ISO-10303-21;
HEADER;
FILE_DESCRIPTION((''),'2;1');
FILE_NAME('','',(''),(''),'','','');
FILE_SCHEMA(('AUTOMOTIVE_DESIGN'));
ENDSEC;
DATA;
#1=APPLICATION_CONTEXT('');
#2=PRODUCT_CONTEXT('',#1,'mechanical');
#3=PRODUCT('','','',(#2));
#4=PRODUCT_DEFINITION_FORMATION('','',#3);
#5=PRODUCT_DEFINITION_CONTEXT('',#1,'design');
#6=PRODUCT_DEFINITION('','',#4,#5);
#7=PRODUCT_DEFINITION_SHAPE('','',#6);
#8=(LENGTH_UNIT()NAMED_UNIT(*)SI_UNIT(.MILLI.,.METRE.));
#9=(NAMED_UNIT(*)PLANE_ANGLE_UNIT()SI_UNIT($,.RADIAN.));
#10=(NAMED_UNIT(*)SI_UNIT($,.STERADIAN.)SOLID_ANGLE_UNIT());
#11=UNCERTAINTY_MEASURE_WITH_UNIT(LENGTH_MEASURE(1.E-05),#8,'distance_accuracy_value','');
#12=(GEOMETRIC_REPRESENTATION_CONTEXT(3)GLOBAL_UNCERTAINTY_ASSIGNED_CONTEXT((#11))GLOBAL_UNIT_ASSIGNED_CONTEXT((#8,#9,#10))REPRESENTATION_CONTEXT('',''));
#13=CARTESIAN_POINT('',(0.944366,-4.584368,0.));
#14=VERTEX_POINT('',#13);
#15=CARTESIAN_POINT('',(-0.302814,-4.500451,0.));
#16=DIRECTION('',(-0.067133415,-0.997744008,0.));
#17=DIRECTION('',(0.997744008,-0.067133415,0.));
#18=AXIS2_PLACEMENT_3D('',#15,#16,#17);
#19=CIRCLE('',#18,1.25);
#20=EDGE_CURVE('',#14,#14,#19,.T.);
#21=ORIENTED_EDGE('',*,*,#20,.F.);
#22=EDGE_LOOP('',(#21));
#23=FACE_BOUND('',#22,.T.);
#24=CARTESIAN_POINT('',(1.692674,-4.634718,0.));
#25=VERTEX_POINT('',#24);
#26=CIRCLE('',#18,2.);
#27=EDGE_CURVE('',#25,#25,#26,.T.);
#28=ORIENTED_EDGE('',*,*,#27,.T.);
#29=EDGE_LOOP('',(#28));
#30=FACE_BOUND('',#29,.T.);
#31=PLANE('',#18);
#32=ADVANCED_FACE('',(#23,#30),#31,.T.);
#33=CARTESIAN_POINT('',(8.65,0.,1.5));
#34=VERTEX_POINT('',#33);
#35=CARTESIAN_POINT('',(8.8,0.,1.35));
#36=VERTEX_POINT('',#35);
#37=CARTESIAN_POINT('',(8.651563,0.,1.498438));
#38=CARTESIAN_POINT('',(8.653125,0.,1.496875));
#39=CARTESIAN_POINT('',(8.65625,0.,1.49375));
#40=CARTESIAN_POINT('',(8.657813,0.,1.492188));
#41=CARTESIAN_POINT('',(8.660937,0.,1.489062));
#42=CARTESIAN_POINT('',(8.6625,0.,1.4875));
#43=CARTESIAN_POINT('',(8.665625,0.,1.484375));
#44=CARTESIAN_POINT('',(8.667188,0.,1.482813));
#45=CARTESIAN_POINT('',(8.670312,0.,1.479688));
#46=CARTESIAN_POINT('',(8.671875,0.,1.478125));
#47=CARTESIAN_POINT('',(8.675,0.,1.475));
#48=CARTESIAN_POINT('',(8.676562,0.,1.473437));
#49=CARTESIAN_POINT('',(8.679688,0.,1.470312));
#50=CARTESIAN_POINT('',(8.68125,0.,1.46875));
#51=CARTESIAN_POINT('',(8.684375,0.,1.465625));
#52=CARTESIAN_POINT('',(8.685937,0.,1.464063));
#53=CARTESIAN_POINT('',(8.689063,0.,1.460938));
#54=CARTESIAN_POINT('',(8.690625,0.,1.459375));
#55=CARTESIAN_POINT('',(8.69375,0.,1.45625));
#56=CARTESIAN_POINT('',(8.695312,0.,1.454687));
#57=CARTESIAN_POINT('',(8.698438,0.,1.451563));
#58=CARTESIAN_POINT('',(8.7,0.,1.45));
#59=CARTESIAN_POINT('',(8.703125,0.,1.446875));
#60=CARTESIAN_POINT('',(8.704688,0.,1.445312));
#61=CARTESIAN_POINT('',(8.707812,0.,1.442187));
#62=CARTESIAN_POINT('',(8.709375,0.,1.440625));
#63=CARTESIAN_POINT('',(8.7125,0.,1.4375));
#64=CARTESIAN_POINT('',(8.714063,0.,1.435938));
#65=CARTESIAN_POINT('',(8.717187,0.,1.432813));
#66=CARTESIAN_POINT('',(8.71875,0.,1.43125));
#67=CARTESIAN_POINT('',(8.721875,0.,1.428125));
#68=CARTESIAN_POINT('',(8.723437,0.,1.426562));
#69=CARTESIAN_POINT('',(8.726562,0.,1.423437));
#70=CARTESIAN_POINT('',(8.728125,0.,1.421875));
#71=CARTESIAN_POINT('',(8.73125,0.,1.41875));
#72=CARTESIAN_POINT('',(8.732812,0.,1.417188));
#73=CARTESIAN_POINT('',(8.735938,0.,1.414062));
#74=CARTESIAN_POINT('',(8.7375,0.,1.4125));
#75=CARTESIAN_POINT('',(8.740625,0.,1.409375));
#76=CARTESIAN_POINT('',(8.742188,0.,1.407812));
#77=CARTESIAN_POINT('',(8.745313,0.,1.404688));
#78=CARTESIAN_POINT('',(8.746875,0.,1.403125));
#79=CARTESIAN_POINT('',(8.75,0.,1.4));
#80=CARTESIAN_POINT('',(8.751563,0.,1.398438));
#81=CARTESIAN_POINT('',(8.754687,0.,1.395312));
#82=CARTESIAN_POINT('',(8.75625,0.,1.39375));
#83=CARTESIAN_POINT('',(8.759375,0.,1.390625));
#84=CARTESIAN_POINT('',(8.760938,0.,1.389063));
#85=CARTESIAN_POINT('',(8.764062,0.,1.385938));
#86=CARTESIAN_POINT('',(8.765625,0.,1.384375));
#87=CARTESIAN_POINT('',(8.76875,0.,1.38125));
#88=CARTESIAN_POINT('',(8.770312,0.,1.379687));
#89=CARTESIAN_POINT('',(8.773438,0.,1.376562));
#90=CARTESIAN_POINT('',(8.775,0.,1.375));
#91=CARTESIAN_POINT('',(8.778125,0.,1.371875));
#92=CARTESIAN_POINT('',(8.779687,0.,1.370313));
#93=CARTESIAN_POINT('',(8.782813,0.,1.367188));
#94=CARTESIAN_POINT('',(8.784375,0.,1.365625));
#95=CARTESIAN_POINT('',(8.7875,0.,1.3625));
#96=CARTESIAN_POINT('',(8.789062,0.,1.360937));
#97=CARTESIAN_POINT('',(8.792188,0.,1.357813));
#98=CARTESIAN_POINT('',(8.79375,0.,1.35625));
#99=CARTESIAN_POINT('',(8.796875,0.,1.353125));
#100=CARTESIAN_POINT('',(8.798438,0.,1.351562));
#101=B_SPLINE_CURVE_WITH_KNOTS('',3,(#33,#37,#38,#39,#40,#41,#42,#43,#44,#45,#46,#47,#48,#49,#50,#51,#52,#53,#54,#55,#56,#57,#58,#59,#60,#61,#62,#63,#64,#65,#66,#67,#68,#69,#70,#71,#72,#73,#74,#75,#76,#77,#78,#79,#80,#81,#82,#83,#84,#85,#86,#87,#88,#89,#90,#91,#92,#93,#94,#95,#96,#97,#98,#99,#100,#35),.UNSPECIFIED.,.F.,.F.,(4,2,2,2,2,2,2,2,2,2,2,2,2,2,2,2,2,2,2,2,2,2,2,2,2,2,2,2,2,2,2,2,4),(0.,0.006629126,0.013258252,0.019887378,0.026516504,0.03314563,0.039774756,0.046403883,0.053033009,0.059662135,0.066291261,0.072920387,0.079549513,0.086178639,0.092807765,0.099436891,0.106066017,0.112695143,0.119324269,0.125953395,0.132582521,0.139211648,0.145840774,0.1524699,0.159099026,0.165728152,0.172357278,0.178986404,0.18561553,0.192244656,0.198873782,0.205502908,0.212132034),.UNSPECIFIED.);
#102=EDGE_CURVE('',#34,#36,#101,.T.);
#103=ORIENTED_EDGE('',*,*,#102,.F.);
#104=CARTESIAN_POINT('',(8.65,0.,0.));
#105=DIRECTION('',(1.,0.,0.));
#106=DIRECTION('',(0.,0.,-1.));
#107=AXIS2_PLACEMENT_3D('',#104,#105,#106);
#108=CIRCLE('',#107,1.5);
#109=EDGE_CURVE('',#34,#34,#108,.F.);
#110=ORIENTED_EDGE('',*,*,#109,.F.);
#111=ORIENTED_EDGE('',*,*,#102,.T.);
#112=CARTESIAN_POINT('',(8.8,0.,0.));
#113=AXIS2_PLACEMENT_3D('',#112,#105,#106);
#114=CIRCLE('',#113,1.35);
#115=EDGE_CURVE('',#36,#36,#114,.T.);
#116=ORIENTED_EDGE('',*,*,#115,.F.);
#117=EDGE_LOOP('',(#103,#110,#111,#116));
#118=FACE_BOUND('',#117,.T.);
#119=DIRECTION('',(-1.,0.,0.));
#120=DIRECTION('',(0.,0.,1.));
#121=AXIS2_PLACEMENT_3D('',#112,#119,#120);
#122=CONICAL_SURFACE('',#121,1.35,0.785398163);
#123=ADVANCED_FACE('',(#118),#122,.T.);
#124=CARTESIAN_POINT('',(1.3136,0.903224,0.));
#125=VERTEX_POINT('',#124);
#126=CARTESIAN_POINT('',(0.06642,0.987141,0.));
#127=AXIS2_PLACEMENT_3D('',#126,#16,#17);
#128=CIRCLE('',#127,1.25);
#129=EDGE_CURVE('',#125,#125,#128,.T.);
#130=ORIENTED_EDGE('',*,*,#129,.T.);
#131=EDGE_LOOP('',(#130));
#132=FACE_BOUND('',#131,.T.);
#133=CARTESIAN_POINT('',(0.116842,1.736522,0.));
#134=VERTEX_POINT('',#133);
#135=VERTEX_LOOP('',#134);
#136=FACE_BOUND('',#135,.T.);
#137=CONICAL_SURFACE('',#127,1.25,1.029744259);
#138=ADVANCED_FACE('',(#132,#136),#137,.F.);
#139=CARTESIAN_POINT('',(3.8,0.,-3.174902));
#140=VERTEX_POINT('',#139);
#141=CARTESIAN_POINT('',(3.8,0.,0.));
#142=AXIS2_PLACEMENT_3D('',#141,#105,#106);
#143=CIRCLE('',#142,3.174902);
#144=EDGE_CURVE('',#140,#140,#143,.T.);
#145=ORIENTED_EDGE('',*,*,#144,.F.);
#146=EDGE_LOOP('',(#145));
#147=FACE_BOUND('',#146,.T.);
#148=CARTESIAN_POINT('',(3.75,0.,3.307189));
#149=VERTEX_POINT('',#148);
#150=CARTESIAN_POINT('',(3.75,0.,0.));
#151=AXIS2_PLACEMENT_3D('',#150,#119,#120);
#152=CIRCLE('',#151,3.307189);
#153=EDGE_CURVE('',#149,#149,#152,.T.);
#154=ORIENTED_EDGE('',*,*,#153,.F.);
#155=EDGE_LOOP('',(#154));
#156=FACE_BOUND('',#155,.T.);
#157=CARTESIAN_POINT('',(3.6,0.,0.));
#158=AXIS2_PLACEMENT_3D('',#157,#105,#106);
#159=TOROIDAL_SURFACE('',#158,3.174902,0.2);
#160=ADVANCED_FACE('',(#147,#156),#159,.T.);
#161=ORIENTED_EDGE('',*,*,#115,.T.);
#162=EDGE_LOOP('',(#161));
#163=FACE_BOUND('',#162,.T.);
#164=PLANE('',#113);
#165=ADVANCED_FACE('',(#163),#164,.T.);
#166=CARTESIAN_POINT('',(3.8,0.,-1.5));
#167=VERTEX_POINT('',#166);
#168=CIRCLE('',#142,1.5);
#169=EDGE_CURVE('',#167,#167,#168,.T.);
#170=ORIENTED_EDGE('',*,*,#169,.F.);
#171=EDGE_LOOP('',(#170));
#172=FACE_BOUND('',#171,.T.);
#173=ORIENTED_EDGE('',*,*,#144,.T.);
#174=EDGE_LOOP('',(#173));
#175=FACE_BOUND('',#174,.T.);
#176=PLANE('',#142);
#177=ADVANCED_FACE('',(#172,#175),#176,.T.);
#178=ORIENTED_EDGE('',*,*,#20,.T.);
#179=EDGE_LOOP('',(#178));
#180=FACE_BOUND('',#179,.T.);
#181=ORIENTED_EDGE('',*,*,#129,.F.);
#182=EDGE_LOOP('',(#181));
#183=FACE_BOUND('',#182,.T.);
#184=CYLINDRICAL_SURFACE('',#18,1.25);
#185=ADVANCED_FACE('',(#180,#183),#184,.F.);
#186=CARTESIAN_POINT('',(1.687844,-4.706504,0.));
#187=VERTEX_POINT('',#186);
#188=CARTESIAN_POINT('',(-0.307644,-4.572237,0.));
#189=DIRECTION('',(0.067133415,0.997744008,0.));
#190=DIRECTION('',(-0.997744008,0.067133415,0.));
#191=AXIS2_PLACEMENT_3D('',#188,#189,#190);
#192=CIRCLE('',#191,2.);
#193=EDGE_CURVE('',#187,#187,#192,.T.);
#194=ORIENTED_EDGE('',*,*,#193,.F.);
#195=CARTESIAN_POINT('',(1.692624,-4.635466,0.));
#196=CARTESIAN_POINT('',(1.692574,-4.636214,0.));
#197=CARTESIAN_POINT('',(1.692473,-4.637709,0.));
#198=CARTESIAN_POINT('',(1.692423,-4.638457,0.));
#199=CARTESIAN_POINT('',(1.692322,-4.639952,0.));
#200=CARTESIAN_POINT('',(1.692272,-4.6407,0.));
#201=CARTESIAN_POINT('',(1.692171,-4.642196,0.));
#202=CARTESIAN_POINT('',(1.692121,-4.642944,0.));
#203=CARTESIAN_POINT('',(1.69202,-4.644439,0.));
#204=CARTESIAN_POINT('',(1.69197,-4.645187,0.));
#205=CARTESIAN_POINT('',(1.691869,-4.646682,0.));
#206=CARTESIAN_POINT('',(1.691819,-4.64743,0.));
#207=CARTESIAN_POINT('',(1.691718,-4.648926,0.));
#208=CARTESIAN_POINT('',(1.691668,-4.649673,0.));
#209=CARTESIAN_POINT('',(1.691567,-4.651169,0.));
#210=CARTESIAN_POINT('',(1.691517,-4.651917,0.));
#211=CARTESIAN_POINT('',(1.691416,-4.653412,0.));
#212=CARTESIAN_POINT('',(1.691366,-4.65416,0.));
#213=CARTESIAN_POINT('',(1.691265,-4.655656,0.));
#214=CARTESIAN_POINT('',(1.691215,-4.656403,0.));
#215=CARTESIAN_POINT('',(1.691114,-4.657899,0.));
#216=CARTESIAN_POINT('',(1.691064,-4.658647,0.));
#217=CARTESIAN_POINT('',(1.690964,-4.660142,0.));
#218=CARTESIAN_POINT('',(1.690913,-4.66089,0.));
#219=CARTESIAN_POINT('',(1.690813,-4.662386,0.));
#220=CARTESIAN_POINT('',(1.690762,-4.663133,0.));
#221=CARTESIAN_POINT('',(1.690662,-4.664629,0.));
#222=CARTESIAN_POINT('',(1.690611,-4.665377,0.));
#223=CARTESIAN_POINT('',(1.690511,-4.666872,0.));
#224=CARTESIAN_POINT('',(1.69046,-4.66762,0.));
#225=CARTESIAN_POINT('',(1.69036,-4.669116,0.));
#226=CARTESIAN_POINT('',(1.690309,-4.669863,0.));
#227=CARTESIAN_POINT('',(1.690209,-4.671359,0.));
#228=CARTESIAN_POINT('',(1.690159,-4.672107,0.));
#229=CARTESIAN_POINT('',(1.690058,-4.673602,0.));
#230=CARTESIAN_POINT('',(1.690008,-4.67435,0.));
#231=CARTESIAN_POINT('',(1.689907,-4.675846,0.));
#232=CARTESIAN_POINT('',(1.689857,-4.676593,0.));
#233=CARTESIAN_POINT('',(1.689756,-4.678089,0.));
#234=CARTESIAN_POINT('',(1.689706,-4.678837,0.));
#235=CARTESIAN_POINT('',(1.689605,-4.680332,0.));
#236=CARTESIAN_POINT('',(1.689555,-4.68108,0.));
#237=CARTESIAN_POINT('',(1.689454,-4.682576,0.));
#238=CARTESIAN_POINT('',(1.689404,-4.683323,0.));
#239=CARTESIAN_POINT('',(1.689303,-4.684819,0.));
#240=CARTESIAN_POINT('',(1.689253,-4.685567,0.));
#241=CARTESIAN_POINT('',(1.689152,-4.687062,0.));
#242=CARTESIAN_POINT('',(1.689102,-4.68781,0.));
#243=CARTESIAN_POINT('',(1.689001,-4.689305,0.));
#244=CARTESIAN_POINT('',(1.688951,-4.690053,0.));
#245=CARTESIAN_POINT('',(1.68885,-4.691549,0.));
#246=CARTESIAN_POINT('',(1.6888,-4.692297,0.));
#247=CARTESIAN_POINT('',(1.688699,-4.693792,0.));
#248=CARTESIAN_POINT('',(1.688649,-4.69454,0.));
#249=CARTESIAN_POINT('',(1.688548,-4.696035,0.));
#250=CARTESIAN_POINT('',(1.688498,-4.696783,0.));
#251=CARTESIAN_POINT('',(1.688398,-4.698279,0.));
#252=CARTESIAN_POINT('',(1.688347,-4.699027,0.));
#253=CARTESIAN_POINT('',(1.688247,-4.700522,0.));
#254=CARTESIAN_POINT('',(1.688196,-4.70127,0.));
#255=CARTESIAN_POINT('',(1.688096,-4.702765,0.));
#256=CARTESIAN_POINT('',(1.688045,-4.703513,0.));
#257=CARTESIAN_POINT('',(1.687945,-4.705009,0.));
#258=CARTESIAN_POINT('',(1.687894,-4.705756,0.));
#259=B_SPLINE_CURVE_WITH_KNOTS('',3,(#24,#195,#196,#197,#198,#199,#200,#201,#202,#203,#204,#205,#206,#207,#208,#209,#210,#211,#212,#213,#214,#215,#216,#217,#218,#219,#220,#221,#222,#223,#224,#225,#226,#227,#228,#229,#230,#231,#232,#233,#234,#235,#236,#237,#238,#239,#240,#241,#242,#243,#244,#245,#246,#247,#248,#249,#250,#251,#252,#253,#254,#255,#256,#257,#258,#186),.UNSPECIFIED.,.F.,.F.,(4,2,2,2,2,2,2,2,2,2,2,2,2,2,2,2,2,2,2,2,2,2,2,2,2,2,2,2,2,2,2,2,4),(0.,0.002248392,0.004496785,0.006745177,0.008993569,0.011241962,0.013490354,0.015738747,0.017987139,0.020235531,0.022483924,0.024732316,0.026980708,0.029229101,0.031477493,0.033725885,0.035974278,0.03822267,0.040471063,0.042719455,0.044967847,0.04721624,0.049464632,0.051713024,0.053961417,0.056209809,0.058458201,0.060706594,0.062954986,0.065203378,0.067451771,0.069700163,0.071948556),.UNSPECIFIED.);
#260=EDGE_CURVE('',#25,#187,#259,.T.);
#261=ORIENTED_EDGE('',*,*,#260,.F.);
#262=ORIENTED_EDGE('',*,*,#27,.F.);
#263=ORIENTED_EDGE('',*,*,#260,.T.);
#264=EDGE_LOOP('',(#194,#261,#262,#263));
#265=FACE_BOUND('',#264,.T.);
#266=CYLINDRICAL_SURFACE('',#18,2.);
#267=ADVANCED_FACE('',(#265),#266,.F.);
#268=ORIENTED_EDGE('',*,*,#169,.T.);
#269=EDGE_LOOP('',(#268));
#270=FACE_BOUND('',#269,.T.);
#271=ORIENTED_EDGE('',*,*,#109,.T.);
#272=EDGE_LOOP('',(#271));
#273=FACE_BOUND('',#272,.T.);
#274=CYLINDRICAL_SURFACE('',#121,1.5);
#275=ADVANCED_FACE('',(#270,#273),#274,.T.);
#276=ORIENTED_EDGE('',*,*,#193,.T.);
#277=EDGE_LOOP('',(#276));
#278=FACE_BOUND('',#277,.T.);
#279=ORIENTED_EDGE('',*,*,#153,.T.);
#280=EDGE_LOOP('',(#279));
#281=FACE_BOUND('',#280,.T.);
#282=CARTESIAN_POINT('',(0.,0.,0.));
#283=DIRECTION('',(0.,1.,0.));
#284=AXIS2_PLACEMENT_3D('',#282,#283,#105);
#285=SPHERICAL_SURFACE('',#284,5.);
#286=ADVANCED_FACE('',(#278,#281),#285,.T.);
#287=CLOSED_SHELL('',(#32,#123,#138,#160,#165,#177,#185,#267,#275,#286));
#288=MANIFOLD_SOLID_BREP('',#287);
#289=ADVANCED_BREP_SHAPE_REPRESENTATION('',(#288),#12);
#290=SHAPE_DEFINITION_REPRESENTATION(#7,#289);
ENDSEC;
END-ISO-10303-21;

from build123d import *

# Parameters (mm, degrees)
SKETCH_6_R             = 2
CUT_EXTRUDE_1_DEPTH    = 0.2
SKETCH_6_2_R           = 2
CUT_EXTRUDE_2_DEPTH    = 5
HOLE_WIZARD_M3_1_D     = 2.5
HOLE_WIZARD_M3_1_DEPTH = 5.5
HOLE_WIZARD_M3_1_TIP   = 0.751075774
SKETCH_10_R            = 10.599002553
CUT_EXTRUDE_3_DEPTH    = 10
SKETCH_11_R            = 1.5
EXTRUDE_1_DEPTH        = 5
FILLET_1_R             = 0.2
CHAMFER_1_SIZE         = 0.15


with BuildPart() as part:
    # 草图1 → 旋转1 (revolve)
    with BuildSketch(Plane.XY):
        with BuildLine():
            Line((0, 5), (0, -5))
            ThreePointArc((0, -5), (5, 0), (0, 5))
        make_face()
    revolve(axis=Axis((0, 5, 0), (0, -1, 0)))

    # 草图6 → 切除-拉伸1 (cut)
    with BuildSketch(Plane(origin=(-0.316240488, -4.7, 0), x_dir=(0.9977440075226778, -0.06713341532044086, 0), z_dir=(-0.06713341532044086, -0.9977440075226779, 0))):
        Circle(SKETCH_6_R)
    extrude(amount=-CUT_EXTRUDE_1_DEPTH, mode=Mode.SUBTRACT)


with BuildPart() as cut_extrude_1_piece_1:
    # of the separate pieces the step leaves, piece 1, a body of its own (cut_extrude_1_pieces)
    add(part.part.solids().sort_by_distance((1.687844058, -4.706504269, 0))[0])

    # M3 螺纹孔1
    with Locations(Plane(origin=(-0.302813805, -4.500451198, 0), x_dir=(-0.997744007523, 0.06713341532, 0), z_dir=(-0.06713341532, -0.997744007523, 0))):
        with Locations((0, 0)):
            Hole(HOLE_WIZARD_M3_1_D / 2, depth=HOLE_WIZARD_M3_1_DEPTH)
            with Locations((0, 0, -(HOLE_WIZARD_M3_1_DEPTH + HOLE_WIZARD_M3_1_TIP / 2))):  # 118° drill point
                Cone(0, HOLE_WIZARD_M3_1_D / 2, HOLE_WIZARD_M3_1_TIP, mode=Mode.SUBTRACT)

    # 草图10 → 切除-拉伸3 (cut)
    with BuildSketch(Plane(origin=(3.8, 0, 0), x_dir=(0, 0, -1), z_dir=(1, 0, 0))):
        Circle(SKETCH_10_R)
    extrude(amount=CUT_EXTRUDE_3_DEPTH, mode=Mode.SUBTRACT)

    # 草图11 → 凸台-拉伸1 (add)
    with BuildSketch(Plane(origin=(3.8, 0, 0), x_dir=(0, 0, -1), z_dir=(1, 0, 0))):
        Circle(SKETCH_11_R)
    extrude(amount=EXTRUDE_1_DEPTH)

    # 圆角1
    fillet_1_edges = [cut_extrude_1_piece_1.edges().sort_by_distance(p)[0] for p in [
        (3.8, 0, -3.249615362),
    ]]
    fillet(fillet_1_edges, radius=FILLET_1_R)

    # 倒角1
    chamfer_1_edges = [cut_extrude_1_piece_1.edges().sort_by_distance(p)[0] for p in [
        (8.8, 0, 1.5),
    ]]
    chamfer(chamfer_1_edges, length=CHAMFER_1_SIZE)


with BuildPart() as cut_extrude_1_piece_2:
    # of the separate pieces the step leaves, piece 2, a body of its own (cut_extrude_1_pieces)
    add(part.part.solids().sort_by_distance((0, -5, 0))[0])

    # 草图6<2> → 切除-拉伸2 (cut)
    with BuildSketch(Plane(origin=(-0.316240488, -4.7, 0), x_dir=(0.9977440075226778, -0.06713341532044086, 0), z_dir=(-0.06713341532044086, -0.9977440075226779, 0))):
        Circle(SKETCH_6_2_R)
    extrude(amount=CUT_EXTRUDE_2_DEPTH, mode=Mode.SUBTRACT)


solid = cut_extrude_1_piece_1.part
